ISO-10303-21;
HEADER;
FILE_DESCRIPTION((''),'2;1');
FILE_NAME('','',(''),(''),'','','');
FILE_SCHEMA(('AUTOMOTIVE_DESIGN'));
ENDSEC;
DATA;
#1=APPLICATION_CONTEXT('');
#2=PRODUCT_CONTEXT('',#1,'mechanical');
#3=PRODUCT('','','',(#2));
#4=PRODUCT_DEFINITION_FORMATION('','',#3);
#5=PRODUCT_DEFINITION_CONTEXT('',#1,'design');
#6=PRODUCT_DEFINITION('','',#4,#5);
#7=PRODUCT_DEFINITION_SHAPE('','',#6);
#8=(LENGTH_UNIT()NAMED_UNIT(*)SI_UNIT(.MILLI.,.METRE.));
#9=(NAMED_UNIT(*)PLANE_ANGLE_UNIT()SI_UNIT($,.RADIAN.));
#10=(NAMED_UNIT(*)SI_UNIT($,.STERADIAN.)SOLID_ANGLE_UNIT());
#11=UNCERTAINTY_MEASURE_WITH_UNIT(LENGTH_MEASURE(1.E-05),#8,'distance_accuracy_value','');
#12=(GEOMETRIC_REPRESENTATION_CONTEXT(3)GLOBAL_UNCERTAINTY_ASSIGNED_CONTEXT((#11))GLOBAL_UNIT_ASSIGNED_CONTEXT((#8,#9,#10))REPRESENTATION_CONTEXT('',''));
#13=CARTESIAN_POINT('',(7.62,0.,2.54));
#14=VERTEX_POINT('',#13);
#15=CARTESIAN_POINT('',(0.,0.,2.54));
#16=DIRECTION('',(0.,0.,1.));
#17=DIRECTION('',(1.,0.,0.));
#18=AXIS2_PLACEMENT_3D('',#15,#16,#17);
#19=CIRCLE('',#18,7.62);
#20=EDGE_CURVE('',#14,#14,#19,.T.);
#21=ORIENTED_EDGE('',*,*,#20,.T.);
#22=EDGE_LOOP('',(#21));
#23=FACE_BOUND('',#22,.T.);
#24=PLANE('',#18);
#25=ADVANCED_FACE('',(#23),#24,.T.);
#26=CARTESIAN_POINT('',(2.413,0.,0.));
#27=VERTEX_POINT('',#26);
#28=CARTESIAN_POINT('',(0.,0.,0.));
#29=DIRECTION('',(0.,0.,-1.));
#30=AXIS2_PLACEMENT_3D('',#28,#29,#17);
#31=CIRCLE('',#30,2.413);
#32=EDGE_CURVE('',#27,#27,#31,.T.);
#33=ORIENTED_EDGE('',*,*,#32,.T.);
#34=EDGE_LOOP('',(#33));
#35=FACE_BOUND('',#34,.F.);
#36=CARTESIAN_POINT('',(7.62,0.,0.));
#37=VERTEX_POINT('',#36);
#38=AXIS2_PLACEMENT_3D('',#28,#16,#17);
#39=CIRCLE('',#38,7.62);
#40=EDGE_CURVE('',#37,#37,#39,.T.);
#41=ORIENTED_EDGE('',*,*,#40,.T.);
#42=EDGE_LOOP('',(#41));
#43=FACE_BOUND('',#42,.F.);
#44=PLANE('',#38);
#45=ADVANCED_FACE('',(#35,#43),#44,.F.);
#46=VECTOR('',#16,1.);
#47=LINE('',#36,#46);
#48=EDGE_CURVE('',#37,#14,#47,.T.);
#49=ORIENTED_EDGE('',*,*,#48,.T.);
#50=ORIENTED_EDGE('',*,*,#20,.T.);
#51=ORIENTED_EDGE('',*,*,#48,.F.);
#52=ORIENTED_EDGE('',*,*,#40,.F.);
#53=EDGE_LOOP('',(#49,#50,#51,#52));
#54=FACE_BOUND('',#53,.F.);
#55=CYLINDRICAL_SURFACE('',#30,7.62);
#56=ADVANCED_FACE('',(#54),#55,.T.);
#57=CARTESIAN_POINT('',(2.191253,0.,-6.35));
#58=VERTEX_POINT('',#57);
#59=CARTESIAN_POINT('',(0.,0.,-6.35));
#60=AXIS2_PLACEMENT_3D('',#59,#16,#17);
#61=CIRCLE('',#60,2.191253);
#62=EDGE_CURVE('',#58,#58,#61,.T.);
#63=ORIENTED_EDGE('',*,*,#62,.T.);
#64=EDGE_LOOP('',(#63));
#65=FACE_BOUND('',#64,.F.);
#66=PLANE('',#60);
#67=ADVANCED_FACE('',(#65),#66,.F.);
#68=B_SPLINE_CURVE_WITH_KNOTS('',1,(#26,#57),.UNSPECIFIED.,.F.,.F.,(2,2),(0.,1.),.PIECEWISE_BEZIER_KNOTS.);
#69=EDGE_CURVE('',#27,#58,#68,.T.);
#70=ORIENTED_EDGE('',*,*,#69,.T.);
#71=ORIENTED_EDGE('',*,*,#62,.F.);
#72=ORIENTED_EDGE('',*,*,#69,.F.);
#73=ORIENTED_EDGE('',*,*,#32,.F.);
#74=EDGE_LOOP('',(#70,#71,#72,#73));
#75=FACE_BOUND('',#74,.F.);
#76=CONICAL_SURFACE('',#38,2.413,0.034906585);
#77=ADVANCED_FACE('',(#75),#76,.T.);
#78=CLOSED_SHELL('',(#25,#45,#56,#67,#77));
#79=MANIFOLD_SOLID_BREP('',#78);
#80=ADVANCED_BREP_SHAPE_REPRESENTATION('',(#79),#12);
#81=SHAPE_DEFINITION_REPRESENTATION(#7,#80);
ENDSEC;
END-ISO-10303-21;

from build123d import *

# Parameters (mm, degrees)
F0_R     = 7.62
F1_DEPTH = 2.54
F2_R     = 2.413
F3_DEPTH = 6.35
F3_TAPER = 2


with BuildPart() as f1:
    # F0 (on Top) → F1 (new body)
    with BuildSketch(Plane.XY):
        Circle(F0_R)
    extrude(amount=F1_DEPTH)

    # F2 (on Top) → F3 (join)
    with BuildSketch(Plane.XY):
        Circle(F2_R)
    extrude(amount=-F3_DEPTH, taper=F3_TAPER)


solid = f1.part
